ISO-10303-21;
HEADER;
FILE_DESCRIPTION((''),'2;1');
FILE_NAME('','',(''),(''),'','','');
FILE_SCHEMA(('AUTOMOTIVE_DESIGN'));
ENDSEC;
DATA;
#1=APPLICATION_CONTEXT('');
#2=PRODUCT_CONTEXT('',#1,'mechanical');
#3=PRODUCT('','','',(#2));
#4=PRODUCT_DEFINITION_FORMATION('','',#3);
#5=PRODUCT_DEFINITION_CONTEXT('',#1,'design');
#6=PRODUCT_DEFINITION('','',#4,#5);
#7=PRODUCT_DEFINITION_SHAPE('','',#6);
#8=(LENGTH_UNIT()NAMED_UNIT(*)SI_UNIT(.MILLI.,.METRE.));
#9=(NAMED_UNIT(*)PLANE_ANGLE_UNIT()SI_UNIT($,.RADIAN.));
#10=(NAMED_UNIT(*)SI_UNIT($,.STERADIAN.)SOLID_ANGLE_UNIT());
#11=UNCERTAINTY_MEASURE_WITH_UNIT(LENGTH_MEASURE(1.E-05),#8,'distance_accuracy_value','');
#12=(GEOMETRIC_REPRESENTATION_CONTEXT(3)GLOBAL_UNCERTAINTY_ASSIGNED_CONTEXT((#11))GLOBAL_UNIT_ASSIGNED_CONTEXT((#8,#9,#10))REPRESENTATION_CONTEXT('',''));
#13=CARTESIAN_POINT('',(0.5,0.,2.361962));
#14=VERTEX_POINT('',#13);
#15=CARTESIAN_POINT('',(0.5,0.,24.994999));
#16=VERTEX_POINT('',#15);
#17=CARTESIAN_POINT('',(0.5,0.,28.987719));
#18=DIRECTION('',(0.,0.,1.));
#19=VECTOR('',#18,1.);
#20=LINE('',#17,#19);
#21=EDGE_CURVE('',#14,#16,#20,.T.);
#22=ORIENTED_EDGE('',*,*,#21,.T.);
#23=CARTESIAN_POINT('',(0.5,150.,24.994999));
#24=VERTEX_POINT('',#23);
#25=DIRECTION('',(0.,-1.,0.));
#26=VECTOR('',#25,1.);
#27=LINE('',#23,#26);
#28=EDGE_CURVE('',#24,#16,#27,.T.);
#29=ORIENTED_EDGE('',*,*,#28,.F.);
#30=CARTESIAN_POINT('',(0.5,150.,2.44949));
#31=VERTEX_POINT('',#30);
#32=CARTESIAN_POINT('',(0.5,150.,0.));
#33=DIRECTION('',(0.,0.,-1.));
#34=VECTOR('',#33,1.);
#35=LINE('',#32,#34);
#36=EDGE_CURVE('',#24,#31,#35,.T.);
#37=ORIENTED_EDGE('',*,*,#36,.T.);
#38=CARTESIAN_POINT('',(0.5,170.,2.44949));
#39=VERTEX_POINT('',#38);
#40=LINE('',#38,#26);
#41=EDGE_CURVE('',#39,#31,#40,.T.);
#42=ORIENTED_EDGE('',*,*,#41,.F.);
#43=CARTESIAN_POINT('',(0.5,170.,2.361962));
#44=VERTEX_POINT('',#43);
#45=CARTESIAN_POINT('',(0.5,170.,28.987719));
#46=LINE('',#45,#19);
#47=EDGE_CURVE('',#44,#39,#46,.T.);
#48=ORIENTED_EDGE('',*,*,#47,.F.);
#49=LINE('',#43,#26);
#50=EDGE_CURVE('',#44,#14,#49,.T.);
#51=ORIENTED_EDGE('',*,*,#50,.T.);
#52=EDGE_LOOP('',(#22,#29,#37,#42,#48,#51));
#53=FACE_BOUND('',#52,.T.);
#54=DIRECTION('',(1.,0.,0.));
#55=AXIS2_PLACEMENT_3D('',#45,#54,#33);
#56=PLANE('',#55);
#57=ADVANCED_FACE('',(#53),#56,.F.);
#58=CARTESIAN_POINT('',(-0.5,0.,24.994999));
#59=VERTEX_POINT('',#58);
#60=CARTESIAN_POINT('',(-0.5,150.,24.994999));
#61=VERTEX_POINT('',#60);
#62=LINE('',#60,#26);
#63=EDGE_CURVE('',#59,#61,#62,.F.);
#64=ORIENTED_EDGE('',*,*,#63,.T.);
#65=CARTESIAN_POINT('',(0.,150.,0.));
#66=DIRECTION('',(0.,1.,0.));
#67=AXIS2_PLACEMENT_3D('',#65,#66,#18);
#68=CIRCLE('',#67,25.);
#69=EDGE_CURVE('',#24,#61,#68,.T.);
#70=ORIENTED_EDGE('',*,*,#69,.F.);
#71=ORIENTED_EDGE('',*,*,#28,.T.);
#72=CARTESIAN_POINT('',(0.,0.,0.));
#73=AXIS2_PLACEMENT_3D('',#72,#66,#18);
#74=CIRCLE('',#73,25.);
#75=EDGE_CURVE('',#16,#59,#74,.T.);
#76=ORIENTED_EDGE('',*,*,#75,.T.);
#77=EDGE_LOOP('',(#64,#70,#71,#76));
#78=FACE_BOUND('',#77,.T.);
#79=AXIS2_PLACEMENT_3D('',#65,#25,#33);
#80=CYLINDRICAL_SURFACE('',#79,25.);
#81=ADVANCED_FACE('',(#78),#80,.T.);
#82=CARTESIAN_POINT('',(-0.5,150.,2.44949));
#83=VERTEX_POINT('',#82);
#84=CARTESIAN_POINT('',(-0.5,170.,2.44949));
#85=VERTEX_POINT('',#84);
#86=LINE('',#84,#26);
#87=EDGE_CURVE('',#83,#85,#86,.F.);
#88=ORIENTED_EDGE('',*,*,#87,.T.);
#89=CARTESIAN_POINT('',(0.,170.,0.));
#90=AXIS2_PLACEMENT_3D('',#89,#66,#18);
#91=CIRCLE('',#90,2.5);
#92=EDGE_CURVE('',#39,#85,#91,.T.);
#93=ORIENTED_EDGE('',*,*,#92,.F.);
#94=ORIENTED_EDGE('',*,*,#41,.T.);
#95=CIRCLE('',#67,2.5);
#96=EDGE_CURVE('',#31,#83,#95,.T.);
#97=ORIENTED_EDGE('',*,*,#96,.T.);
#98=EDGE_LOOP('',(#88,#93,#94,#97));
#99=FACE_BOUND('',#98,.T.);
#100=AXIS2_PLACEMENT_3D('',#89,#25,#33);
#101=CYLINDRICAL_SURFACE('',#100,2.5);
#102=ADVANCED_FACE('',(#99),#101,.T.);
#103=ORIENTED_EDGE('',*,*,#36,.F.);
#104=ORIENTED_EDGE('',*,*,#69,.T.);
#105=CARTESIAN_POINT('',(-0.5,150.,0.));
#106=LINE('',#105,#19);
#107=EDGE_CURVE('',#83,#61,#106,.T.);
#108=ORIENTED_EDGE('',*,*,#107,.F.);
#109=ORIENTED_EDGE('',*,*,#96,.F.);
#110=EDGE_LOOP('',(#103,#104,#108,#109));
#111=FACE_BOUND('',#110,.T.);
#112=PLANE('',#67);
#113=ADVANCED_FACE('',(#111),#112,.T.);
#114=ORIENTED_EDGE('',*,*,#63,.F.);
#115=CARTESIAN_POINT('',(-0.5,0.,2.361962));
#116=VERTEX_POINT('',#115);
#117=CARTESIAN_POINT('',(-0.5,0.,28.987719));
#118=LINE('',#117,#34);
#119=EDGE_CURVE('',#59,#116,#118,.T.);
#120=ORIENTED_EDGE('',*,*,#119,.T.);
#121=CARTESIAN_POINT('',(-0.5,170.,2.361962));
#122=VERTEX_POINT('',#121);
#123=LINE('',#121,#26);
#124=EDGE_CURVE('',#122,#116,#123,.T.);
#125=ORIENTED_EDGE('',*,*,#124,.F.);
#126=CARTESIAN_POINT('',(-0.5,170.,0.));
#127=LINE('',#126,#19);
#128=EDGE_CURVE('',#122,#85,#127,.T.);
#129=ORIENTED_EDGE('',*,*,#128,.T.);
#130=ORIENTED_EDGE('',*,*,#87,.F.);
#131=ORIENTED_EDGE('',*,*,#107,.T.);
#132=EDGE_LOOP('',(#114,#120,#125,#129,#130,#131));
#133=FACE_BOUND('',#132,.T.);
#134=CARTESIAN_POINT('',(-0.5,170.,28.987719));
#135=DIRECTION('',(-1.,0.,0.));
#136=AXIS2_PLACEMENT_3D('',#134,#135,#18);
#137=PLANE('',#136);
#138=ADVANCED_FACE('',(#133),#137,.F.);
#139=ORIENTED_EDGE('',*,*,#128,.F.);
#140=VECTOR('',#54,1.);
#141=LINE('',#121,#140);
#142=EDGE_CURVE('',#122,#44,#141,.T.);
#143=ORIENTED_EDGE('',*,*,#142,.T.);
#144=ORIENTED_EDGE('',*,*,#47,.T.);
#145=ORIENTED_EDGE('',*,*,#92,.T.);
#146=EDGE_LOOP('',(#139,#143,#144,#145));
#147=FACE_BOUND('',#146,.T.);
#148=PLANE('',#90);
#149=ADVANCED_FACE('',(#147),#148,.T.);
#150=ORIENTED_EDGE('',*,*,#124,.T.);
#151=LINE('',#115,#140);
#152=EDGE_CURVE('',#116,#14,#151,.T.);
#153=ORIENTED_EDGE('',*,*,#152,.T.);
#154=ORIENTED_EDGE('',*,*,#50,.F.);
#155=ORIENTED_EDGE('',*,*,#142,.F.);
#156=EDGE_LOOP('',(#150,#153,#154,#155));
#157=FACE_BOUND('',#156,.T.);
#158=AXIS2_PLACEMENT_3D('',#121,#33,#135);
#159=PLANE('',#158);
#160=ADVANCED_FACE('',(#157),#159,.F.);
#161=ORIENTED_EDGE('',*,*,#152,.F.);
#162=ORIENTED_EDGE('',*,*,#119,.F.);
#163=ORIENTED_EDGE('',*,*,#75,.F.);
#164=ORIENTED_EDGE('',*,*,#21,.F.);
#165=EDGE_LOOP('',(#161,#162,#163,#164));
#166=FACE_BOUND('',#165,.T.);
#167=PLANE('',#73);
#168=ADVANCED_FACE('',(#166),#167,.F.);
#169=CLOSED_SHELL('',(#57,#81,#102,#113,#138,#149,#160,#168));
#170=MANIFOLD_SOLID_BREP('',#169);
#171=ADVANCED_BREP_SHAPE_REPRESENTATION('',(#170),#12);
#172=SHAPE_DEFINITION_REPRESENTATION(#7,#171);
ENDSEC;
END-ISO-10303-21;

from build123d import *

# Parameters (mm, degrees)
SKETCH1_R           = 25
BOSS_EXTRUDE1_DEPTH = 150
SKETCH2_R           = 2.5
BOSS_EXTRUDE2_DEPTH = 20
SKETCH3_W           = 1
SKETCH3_H           = 26.625756483
CUT_EXTRUDE1_DEPTH  = 174.637553542


with BuildPart() as part:
    # Sketch1 → Boss-Extrude1 (new body)
    with BuildSketch(Plane(origin=(0, 0, 0), x_dir=(1, 0, 0), z_dir=(0, 1, 0))):
        with Locations(Location((0, 0, 0), (0, 0, 270))):
            Circle(SKETCH1_R)
    extrude(amount=BOSS_EXTRUDE1_DEPTH)

    # Sketch2 → Boss-Extrude2 (add)
    with BuildSketch(Plane(origin=(0, 150, 0), x_dir=(1, 0, 0), z_dir=(0, 1, 0))):
        with Locations(Location((0, 0, 0), (0, 0, 270))):
            Circle(SKETCH2_R)
    extrude(amount=BOSS_EXTRUDE2_DEPTH)

    # Sketch3 → Cut-Extrude1 (cut, through all)
    with BuildSketch(Plane.XZ):
        with Locations((0, 15.674840511)):
            Rectangle(SKETCH3_W, SKETCH3_H)
    extrude(amount=-CUT_EXTRUDE1_DEPTH, mode=Mode.SUBTRACT)


solid = part.part
